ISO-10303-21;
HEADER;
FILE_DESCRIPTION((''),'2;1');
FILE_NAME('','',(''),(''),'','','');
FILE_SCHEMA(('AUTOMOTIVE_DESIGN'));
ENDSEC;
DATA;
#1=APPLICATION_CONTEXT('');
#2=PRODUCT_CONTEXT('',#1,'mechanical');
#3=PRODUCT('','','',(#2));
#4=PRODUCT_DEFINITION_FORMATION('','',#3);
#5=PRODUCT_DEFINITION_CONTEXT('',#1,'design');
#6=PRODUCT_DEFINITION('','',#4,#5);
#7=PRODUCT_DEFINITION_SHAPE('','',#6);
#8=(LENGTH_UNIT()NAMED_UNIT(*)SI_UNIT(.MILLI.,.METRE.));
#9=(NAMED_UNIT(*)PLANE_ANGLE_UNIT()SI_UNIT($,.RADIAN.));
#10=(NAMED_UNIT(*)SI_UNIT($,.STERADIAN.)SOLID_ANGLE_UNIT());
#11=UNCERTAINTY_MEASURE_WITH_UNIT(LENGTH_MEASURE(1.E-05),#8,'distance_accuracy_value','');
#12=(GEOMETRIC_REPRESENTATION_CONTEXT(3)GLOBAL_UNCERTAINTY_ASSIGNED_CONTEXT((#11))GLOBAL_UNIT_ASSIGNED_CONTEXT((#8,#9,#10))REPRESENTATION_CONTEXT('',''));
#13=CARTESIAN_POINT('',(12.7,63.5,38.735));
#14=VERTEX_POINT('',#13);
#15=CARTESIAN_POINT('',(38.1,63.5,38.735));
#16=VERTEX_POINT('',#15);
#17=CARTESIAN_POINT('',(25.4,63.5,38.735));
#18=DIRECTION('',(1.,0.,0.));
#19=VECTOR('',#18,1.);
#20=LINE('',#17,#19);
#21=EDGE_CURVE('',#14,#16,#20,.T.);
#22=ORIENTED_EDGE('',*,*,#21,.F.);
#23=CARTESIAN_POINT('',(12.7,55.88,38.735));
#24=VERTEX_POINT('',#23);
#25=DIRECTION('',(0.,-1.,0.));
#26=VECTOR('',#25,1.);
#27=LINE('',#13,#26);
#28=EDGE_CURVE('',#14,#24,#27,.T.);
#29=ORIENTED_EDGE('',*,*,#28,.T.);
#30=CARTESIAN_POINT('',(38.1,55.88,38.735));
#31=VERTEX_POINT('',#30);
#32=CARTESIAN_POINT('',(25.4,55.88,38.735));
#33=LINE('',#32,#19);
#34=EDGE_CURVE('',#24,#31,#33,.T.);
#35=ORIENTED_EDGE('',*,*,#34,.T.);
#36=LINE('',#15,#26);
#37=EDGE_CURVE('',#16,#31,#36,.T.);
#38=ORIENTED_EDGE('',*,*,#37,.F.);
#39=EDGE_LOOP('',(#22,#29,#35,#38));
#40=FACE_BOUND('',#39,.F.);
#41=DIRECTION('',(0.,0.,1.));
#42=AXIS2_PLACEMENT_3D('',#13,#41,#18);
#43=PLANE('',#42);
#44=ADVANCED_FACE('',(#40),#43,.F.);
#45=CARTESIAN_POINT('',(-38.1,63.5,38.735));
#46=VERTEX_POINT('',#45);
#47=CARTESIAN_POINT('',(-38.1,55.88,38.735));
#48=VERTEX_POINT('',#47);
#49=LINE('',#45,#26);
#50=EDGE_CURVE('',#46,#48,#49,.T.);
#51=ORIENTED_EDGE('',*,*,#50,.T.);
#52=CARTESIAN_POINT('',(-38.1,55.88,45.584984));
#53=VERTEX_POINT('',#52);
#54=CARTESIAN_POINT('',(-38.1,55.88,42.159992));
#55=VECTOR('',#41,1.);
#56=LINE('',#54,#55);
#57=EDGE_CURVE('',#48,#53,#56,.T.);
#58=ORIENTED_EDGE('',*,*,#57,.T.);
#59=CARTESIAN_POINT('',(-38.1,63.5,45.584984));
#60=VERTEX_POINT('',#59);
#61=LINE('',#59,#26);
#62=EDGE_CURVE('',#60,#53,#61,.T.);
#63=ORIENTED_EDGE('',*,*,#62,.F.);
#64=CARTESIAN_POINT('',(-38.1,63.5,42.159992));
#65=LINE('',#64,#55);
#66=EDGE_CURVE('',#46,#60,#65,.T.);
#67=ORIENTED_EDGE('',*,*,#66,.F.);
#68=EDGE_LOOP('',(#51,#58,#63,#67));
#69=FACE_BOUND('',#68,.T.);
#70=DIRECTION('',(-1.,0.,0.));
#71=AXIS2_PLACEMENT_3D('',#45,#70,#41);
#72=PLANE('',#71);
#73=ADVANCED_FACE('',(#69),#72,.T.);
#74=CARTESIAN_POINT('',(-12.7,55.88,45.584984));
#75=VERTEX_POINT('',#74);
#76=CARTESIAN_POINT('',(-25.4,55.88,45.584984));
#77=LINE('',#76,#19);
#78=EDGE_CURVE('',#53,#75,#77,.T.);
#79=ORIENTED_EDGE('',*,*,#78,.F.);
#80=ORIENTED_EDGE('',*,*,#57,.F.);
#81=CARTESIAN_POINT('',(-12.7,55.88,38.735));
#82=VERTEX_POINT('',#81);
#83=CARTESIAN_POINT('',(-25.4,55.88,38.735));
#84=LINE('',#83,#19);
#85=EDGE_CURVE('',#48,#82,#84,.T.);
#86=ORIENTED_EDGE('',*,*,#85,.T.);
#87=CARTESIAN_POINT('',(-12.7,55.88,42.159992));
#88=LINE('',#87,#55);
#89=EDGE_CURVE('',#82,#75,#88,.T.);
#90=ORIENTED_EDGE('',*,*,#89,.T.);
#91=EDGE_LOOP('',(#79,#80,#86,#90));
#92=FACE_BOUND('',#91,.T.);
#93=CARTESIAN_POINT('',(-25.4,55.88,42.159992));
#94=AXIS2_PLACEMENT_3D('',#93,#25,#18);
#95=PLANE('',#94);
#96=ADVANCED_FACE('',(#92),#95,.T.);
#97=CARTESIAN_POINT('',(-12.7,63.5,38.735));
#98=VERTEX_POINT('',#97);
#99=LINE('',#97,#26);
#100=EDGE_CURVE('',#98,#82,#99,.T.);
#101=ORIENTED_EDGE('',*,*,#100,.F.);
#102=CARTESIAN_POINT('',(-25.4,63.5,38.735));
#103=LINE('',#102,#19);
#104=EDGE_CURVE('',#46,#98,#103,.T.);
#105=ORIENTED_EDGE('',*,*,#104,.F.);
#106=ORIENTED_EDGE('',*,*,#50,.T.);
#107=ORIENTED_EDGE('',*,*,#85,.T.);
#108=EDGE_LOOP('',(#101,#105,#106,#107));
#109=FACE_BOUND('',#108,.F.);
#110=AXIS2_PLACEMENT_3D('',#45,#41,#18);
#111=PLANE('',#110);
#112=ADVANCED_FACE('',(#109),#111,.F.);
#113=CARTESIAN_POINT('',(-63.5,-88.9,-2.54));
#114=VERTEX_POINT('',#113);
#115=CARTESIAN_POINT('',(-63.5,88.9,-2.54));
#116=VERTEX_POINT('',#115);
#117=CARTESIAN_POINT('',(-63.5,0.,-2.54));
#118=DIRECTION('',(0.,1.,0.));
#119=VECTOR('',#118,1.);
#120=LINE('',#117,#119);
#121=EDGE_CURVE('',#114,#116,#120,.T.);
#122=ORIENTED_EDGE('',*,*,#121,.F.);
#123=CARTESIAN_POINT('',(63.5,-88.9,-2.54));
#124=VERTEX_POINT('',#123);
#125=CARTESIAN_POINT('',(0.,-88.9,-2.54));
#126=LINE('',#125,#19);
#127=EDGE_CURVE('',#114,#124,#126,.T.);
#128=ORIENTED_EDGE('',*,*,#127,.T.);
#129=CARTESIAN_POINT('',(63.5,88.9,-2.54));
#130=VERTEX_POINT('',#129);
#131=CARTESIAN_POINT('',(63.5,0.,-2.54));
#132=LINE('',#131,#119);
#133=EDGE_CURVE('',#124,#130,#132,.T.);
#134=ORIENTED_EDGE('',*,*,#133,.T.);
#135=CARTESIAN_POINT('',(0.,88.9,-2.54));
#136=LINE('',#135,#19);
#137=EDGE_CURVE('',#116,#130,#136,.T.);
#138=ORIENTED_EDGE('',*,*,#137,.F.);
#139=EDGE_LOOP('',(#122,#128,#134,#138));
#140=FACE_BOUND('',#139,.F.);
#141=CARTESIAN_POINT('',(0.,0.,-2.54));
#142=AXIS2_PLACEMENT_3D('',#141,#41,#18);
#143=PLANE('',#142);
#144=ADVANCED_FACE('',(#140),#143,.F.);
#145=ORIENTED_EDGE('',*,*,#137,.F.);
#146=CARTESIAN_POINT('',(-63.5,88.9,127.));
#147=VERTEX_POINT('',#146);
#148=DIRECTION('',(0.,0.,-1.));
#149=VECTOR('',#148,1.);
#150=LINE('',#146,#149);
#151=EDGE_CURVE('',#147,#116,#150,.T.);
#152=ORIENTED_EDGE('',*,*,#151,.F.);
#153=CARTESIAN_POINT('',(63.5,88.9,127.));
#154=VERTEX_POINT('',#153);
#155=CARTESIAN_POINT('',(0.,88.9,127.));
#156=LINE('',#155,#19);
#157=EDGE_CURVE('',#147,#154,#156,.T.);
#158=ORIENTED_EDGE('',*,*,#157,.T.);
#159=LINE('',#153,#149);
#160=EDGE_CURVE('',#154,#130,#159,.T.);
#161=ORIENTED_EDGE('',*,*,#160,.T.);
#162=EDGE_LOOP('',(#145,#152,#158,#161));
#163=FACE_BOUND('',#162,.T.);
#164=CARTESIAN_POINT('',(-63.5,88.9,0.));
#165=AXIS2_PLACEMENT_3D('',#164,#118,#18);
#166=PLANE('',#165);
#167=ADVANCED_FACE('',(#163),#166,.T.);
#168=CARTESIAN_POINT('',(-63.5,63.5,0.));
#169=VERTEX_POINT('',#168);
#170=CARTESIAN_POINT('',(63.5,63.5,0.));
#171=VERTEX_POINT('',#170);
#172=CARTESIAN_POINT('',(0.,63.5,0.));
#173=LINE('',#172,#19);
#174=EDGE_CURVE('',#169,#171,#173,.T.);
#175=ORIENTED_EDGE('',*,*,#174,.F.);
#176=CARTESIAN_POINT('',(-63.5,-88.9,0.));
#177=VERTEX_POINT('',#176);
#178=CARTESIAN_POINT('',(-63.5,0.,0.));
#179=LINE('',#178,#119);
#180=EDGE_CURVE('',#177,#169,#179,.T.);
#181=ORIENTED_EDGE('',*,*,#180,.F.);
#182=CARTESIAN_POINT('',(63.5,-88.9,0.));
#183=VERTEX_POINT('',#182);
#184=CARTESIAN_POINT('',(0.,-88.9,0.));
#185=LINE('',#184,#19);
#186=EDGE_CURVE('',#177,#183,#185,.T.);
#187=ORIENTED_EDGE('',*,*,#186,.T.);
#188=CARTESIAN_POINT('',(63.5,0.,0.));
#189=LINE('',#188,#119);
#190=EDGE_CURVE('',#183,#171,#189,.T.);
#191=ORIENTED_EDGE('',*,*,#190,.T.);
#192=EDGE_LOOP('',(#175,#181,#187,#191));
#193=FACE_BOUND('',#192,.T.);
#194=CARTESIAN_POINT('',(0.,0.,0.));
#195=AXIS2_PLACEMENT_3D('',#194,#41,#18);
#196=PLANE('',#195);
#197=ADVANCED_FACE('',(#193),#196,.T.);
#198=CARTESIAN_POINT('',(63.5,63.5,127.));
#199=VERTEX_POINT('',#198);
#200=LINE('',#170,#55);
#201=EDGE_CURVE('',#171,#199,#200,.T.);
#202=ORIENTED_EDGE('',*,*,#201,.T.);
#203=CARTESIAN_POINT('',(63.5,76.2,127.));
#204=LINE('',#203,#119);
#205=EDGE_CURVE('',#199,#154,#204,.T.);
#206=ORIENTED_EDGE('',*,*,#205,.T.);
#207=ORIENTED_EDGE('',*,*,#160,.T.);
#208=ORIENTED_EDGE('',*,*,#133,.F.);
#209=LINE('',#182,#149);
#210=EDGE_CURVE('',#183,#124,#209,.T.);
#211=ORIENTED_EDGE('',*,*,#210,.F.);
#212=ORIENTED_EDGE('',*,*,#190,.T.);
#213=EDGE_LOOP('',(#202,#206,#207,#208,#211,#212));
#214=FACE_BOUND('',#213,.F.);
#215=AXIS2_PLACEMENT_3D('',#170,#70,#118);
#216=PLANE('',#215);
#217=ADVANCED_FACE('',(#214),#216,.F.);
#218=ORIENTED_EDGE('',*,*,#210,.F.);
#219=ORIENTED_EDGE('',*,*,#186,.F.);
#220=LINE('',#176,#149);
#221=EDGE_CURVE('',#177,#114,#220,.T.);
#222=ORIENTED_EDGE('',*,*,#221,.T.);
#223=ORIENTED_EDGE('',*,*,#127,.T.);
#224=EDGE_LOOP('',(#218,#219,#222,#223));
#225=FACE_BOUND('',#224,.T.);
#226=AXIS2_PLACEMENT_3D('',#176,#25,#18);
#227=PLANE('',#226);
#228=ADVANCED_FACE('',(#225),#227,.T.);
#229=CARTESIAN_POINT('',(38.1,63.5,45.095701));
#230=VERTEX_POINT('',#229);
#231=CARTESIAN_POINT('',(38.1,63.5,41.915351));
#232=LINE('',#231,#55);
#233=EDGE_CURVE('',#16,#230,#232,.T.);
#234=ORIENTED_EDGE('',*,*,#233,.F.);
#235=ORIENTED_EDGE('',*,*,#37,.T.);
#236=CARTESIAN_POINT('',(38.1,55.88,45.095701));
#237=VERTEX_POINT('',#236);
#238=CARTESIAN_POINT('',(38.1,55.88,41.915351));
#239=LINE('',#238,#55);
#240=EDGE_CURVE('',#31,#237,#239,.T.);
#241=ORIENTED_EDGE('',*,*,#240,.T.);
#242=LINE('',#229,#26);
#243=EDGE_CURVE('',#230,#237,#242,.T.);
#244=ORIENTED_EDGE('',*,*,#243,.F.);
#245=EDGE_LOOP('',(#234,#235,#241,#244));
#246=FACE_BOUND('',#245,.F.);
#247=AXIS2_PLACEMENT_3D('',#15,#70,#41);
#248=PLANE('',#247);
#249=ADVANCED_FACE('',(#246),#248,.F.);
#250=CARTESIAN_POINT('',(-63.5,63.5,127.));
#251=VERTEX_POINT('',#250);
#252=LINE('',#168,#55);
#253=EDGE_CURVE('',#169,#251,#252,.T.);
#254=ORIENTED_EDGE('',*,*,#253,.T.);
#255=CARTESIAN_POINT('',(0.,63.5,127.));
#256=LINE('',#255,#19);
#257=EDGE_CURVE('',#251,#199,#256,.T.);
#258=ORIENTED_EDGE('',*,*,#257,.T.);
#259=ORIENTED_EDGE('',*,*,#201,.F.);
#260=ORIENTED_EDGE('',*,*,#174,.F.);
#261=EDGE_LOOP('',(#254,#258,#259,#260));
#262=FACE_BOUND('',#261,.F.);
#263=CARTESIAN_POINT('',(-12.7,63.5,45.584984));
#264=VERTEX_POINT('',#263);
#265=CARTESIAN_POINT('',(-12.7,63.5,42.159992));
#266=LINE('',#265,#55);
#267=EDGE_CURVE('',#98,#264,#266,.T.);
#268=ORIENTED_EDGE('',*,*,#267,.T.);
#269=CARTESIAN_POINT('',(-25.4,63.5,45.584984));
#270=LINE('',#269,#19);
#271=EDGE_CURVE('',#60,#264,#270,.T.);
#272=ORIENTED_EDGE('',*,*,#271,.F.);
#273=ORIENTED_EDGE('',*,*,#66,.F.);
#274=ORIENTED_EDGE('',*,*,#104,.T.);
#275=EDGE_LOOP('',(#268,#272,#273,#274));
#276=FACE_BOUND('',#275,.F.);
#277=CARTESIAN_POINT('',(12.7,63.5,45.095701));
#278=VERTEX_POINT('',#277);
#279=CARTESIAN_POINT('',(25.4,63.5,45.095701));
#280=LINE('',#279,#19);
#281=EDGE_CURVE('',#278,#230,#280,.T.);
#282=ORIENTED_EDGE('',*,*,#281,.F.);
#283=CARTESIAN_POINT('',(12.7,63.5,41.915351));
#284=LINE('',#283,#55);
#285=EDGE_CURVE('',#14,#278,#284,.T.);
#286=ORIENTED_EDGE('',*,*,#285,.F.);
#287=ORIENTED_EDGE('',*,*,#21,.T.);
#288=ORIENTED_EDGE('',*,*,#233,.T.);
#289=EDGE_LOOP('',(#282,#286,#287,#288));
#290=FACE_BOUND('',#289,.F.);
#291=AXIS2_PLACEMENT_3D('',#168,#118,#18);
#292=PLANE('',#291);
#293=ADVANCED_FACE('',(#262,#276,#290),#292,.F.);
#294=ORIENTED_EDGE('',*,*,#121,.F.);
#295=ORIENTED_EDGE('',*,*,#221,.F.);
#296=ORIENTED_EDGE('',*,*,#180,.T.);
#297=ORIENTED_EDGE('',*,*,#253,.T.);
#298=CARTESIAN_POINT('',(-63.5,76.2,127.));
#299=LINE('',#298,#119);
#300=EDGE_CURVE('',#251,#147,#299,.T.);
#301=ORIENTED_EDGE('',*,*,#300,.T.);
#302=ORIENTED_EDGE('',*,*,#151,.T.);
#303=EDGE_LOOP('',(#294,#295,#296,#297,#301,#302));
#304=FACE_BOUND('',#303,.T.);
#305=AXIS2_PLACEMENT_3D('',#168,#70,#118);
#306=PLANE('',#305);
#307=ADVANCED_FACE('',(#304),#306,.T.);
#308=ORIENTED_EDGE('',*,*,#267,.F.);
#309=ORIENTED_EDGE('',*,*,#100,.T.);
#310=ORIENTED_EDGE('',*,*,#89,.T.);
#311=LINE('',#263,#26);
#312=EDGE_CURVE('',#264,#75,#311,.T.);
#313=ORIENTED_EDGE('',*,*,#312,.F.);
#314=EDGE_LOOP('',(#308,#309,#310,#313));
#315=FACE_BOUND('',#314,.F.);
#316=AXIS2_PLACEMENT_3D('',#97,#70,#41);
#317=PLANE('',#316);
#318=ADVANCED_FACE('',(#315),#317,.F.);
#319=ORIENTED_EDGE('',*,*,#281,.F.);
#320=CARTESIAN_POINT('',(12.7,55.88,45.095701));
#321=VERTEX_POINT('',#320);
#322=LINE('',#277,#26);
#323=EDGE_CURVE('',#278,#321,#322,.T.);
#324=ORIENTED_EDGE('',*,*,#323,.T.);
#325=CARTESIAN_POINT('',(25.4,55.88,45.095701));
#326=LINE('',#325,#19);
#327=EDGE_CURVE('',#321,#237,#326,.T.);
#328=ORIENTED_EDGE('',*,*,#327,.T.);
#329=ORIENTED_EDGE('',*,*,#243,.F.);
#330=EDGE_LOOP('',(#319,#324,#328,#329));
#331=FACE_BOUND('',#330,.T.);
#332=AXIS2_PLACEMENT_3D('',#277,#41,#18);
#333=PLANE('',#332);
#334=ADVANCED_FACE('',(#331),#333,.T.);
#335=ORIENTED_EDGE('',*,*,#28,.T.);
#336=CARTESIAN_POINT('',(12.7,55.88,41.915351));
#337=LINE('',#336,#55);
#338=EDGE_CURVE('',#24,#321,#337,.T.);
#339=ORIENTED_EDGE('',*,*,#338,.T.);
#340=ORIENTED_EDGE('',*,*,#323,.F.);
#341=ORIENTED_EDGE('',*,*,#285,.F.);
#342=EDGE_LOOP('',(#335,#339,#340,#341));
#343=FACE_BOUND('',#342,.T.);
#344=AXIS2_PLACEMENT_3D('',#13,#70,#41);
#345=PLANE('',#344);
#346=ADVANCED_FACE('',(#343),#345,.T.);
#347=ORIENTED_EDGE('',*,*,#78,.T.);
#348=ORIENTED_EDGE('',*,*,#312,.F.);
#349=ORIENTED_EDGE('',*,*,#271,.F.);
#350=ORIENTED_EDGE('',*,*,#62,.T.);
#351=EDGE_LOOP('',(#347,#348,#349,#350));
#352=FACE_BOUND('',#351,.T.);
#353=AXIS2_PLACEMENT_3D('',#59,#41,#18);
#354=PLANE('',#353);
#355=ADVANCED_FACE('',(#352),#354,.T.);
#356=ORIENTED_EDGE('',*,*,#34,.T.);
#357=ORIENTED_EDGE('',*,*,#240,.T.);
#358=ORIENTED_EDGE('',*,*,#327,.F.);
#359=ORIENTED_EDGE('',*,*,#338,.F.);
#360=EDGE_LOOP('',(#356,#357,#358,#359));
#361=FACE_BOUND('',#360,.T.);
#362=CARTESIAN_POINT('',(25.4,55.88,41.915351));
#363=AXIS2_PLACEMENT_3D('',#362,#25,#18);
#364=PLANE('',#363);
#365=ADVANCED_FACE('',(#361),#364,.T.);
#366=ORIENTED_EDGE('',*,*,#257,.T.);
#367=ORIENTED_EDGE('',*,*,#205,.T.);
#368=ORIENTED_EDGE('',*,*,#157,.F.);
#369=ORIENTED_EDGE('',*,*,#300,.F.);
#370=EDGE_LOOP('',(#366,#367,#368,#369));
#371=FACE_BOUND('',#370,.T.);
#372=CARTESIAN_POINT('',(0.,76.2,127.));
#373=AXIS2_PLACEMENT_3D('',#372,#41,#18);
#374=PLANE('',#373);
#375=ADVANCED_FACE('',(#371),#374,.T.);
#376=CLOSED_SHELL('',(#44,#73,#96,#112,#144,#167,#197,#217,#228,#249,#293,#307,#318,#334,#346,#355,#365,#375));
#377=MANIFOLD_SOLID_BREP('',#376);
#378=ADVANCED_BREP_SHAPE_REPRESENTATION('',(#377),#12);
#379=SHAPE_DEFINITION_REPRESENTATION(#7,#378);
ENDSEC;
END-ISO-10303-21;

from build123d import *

# Parameters (mm, degrees)
F0_W     = 127
F0_H     = 177.8
F1_DEPTH = 2.54
F2_W     = 127
F2_H     = 25.4
F3_DEPTH = 127
F4_W     = 25.4
F4_H     = 6.849984
F4_H_2   = 6.360701
F5_DEPTH = 7.62


with BuildPart() as f1:
    # F0 (on Top) → F1 (new body)
    with BuildSketch(Plane.XY):
        Rectangle(F0_W, F0_H)
    extrude(amount=-F1_DEPTH)

    # F2 (on face) → F3 (join)
    with BuildSketch(Plane.XY):
        with Locations((0, 76.2)):
            Rectangle(F2_W, F2_H)
    extrude(amount=F3_DEPTH)

    # F4 (on face) → F5 (join)
    with BuildSketch(Plane.XZ.offset(-63.5)):
        with Locations((-25.4, 42.159992)):
            Rectangle(F4_W, F4_H)
        with Locations((25.4, 41.915351)):
            Rectangle(F4_W, F4_H_2)
    extrude(amount=F5_DEPTH)


solid = f1.part
